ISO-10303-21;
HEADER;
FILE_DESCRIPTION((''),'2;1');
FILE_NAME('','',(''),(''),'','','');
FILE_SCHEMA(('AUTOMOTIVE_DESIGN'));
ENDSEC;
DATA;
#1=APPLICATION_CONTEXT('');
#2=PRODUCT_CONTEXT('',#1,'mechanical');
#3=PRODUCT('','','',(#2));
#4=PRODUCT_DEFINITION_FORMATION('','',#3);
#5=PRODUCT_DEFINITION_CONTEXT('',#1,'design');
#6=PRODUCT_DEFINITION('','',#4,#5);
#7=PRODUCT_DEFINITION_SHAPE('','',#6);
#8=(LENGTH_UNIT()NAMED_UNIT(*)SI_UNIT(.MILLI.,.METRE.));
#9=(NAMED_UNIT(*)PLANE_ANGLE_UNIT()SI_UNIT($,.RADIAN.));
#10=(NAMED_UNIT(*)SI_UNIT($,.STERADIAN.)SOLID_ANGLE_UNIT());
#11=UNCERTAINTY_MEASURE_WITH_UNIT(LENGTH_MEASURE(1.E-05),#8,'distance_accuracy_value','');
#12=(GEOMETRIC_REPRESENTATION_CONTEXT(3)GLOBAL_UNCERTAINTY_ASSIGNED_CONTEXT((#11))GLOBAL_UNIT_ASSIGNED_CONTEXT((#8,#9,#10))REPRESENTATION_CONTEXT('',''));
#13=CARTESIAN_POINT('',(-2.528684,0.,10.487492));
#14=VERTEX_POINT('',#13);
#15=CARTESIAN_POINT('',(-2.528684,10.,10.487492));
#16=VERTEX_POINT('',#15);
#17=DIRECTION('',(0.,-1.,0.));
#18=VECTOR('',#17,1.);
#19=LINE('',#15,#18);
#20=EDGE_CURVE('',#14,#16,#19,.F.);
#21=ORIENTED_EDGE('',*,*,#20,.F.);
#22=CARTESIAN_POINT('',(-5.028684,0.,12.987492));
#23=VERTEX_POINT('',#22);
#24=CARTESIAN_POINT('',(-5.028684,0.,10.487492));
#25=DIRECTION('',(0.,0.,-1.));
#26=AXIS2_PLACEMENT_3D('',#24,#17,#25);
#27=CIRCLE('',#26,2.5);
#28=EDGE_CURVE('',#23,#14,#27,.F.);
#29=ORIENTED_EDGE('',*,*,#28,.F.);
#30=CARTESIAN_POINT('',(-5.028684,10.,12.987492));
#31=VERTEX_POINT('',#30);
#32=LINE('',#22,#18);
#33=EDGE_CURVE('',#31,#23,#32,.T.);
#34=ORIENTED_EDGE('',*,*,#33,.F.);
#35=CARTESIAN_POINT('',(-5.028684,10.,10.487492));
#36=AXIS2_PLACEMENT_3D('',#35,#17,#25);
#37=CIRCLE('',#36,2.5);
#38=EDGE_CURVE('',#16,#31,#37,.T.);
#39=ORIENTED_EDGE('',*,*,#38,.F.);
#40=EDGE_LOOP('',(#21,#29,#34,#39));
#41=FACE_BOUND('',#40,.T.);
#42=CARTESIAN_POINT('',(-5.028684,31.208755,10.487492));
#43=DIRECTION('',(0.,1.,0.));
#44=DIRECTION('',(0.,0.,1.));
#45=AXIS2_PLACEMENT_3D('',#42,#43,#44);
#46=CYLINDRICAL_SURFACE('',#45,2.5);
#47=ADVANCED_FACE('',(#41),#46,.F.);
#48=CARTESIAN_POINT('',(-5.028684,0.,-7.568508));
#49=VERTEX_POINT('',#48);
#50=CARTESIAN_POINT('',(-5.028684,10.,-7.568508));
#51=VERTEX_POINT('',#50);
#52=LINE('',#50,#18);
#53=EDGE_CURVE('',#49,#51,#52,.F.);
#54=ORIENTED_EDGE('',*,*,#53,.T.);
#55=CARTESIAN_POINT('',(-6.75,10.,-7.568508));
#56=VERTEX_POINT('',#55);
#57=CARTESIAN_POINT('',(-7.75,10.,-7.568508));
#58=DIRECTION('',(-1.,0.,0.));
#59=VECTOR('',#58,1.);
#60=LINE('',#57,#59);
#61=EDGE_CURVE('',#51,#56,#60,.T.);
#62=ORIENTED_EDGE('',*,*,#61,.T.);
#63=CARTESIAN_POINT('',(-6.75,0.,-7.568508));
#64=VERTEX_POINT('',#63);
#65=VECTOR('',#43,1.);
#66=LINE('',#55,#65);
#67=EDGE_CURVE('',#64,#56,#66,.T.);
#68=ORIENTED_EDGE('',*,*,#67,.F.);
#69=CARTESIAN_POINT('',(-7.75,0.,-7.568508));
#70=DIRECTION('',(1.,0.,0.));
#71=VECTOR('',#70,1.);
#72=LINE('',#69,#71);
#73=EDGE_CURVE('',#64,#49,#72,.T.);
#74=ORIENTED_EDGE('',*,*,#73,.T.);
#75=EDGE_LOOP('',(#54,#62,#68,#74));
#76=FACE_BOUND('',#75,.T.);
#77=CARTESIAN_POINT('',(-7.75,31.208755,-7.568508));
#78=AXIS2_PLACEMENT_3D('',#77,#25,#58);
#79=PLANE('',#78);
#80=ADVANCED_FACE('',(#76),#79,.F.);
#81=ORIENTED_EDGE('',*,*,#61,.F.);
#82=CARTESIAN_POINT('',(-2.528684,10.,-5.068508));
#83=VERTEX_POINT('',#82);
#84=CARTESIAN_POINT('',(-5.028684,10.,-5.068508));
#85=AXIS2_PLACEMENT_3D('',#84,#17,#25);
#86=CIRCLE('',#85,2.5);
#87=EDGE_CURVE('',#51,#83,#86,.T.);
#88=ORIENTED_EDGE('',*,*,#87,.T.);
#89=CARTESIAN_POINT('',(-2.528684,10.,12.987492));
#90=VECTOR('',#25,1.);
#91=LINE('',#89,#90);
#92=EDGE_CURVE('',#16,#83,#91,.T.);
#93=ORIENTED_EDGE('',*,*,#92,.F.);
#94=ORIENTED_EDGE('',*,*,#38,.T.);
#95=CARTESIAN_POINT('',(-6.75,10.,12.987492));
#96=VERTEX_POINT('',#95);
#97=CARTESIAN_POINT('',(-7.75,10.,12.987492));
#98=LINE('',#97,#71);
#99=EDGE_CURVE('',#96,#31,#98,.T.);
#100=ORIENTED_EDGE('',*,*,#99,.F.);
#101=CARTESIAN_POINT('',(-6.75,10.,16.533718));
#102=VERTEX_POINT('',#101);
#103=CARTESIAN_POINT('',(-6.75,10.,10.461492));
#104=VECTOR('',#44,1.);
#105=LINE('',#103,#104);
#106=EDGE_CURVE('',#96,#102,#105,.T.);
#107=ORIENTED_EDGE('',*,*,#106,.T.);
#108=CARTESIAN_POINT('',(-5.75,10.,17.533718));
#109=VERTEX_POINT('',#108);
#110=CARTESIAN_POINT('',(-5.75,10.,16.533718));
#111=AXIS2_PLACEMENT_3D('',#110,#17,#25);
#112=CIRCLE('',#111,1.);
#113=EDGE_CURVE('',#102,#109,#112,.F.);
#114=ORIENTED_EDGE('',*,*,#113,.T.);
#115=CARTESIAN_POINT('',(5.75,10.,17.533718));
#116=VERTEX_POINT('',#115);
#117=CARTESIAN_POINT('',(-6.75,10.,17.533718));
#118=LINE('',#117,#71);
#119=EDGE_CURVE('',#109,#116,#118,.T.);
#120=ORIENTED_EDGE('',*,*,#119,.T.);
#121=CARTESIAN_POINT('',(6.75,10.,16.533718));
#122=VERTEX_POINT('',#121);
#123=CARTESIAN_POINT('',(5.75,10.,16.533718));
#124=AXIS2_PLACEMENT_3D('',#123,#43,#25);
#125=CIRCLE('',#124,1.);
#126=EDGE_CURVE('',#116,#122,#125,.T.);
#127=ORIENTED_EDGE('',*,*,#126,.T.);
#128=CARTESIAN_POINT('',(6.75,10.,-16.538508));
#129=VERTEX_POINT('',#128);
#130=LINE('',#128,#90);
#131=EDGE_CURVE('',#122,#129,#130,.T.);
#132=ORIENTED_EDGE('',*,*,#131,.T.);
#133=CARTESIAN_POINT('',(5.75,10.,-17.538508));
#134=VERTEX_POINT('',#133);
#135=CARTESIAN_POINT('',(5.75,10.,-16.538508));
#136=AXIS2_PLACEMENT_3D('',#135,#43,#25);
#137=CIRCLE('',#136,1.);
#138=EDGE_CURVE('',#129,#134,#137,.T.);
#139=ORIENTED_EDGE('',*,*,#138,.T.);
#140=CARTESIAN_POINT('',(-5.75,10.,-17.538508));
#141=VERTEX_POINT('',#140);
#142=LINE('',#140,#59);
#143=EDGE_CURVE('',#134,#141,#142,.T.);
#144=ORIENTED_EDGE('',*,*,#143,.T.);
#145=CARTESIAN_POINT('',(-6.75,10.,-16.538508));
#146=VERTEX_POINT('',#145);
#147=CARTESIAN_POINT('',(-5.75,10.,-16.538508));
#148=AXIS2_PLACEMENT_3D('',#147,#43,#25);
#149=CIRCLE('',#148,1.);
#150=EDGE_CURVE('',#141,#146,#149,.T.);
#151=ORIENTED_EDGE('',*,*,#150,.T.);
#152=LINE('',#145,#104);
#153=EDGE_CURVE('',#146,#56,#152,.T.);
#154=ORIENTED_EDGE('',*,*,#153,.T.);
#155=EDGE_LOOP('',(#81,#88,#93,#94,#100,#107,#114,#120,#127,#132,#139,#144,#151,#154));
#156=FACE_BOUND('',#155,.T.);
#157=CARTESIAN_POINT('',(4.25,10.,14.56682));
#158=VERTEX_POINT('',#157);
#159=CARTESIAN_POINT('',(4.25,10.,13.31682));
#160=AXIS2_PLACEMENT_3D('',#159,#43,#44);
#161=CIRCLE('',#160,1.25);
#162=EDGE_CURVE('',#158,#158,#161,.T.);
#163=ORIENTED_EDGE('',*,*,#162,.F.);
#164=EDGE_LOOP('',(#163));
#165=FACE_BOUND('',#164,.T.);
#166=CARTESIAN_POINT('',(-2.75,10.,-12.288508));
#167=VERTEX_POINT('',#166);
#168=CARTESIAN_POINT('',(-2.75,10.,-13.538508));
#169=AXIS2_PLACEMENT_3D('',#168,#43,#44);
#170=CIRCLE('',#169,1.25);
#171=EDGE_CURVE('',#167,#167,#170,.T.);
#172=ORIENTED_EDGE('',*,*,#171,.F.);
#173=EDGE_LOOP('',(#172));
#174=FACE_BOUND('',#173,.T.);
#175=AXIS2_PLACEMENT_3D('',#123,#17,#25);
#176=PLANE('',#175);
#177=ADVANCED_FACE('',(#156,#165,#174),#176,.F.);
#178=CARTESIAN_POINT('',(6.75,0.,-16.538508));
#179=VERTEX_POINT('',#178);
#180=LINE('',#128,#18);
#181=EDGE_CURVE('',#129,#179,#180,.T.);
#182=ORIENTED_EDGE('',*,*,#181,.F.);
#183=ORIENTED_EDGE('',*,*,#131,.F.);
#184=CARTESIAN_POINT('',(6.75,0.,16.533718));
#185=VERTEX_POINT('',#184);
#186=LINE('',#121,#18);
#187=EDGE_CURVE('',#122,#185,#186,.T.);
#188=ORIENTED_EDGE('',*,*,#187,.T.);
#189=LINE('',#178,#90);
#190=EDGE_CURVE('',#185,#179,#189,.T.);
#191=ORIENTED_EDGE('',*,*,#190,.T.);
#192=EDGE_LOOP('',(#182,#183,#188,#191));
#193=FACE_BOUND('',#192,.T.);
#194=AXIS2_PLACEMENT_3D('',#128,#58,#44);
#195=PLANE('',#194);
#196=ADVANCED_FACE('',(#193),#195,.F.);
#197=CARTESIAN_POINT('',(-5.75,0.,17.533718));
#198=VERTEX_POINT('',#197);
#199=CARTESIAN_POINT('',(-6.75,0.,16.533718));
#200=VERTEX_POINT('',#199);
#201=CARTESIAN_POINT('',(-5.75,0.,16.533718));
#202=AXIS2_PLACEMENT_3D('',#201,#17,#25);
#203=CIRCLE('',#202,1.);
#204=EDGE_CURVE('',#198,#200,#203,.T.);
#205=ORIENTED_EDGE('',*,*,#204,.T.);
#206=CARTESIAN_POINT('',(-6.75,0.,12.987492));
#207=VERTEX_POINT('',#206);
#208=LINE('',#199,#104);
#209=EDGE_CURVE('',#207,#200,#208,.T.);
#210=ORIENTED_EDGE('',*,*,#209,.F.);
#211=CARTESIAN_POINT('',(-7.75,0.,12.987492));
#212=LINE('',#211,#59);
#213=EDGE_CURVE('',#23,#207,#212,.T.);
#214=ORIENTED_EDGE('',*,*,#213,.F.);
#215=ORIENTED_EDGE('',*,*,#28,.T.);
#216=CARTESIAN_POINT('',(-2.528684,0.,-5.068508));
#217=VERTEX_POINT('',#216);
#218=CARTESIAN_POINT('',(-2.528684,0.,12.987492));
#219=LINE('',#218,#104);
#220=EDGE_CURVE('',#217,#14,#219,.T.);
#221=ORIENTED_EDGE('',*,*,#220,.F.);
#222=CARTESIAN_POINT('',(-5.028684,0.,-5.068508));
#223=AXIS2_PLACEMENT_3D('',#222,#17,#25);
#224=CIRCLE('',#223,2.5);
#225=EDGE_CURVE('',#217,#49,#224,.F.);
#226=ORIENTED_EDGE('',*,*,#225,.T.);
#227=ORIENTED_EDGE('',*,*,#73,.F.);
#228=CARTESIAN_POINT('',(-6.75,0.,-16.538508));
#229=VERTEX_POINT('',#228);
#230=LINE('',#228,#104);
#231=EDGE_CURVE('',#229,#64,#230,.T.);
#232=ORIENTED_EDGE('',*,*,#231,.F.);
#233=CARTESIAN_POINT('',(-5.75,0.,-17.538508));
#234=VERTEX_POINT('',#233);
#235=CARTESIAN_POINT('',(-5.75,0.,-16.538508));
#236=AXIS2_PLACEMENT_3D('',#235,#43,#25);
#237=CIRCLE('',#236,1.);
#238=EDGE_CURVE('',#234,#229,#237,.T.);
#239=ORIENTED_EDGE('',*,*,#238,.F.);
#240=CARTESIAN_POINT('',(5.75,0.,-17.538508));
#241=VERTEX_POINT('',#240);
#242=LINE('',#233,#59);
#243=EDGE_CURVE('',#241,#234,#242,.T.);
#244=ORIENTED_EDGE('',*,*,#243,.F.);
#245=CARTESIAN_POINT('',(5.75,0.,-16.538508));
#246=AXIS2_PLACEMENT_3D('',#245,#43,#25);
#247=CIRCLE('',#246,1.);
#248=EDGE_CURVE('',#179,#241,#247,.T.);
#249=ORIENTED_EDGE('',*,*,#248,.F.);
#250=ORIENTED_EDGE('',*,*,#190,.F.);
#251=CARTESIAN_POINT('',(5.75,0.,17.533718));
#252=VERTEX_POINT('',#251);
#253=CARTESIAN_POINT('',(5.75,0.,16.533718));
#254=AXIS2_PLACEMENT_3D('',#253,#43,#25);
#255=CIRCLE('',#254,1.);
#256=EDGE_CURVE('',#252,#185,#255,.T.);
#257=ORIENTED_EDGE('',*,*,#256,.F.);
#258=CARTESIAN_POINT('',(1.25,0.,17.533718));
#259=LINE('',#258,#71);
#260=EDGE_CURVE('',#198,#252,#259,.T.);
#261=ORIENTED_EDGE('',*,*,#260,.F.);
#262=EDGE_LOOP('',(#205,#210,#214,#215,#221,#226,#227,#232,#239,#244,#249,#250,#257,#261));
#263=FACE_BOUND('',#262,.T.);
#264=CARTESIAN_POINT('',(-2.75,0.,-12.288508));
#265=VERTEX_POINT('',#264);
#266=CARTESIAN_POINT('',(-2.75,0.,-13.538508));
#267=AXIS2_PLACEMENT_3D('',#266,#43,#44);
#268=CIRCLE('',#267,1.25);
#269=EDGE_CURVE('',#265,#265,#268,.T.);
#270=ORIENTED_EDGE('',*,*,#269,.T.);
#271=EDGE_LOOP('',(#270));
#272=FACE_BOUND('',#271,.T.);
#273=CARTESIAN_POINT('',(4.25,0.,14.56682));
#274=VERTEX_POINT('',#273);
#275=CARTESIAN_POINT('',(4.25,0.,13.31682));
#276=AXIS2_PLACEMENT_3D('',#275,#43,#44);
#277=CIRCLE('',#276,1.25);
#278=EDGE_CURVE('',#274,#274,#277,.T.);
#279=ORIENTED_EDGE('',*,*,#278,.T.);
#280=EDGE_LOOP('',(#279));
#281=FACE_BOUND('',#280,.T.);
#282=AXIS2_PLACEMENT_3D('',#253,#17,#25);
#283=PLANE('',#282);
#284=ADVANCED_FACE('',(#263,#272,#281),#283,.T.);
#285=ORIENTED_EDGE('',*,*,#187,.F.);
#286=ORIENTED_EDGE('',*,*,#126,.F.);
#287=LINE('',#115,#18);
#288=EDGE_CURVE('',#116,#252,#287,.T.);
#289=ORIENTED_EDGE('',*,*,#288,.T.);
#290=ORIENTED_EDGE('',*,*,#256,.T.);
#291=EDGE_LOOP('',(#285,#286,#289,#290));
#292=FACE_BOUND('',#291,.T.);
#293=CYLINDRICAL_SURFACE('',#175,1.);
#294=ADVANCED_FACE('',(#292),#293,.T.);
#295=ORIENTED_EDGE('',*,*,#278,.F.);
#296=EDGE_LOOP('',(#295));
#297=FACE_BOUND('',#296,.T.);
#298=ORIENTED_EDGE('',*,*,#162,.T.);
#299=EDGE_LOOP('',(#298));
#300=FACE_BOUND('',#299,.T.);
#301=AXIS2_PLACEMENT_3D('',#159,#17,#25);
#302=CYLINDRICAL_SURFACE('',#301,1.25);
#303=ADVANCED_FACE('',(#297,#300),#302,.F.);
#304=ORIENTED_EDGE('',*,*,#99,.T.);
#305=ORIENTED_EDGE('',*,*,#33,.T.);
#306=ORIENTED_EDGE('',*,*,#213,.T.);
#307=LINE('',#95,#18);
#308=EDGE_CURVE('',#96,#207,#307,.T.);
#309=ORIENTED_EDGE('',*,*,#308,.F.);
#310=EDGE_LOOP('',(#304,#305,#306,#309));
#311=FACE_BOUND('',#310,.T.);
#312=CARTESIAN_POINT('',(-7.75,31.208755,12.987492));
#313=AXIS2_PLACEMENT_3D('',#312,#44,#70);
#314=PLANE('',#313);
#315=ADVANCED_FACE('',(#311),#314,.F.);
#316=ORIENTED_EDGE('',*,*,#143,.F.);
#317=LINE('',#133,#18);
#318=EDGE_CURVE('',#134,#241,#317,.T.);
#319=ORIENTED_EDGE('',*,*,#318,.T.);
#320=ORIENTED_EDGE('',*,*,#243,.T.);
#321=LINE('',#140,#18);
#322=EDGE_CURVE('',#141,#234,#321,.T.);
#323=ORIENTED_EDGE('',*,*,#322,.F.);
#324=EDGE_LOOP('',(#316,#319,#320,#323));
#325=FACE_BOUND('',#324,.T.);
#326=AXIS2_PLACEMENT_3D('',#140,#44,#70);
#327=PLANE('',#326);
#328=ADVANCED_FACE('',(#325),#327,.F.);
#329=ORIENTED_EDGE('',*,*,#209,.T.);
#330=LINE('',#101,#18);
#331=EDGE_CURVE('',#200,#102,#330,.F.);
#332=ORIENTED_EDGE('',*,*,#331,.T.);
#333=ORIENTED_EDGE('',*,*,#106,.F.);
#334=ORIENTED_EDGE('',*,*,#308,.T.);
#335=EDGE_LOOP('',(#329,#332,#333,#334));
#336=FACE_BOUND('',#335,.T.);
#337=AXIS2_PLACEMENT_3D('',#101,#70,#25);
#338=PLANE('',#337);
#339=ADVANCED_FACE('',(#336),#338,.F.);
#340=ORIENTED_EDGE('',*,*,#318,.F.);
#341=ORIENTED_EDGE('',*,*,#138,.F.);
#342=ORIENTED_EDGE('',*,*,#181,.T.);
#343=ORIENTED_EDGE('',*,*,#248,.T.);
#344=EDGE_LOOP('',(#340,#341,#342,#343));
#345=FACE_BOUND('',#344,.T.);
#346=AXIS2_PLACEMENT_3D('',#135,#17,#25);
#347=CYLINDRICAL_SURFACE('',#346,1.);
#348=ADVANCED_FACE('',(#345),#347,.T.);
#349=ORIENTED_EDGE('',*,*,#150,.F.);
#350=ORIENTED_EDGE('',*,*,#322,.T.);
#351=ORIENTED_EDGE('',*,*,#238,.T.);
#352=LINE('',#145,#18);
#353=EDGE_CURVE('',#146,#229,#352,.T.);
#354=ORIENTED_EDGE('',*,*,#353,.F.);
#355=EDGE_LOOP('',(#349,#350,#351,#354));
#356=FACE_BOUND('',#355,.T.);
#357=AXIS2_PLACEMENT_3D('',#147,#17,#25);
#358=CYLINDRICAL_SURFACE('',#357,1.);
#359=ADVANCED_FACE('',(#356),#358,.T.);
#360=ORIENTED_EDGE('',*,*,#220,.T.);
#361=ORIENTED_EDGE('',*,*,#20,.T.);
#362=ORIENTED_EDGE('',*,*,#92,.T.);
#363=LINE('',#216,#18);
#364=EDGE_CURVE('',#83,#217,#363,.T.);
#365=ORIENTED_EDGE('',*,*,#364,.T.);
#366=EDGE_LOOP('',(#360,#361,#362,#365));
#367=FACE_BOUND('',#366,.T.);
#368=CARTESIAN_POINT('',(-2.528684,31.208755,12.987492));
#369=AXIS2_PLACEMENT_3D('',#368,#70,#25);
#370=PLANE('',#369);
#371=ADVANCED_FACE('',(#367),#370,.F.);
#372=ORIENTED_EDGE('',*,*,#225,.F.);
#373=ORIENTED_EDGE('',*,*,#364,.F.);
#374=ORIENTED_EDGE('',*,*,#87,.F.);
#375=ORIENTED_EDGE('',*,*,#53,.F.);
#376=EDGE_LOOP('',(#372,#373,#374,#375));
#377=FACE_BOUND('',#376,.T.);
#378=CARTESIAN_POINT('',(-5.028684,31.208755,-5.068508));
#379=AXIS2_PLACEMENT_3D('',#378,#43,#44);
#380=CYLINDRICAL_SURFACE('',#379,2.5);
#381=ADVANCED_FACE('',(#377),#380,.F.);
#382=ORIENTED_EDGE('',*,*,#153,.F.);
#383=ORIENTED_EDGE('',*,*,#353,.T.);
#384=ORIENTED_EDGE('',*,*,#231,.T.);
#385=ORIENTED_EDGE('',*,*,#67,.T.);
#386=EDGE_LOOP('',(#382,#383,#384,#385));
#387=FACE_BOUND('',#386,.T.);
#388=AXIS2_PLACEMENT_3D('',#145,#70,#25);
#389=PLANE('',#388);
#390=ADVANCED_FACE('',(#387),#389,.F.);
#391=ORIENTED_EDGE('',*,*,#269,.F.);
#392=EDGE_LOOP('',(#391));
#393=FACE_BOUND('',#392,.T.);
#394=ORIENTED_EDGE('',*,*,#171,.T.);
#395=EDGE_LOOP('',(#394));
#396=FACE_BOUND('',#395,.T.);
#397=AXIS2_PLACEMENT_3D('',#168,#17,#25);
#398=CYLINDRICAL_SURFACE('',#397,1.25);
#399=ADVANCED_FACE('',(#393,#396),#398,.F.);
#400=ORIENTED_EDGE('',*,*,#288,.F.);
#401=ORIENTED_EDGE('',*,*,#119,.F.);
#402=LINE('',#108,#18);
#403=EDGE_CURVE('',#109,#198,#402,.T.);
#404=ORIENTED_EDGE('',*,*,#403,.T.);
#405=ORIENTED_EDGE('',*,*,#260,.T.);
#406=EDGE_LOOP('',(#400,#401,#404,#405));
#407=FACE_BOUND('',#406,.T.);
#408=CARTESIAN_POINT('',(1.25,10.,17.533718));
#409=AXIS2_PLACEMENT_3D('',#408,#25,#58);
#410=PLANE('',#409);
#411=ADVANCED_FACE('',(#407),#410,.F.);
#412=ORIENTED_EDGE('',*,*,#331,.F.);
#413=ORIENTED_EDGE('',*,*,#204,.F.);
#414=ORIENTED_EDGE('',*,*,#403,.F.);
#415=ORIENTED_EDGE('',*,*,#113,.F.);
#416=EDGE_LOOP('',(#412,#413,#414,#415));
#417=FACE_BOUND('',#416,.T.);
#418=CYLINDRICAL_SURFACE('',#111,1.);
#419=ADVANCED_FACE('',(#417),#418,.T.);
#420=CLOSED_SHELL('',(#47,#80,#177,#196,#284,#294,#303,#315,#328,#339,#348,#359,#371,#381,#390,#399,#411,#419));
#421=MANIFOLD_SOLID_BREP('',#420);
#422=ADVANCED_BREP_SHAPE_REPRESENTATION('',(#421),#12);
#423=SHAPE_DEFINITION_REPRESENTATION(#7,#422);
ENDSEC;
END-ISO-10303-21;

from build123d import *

# Parameters (mm, degrees)
SKETCH_1_R         = 1.25
EXTRUDE_2_DEPTH    = 10
SKETCH1_W          = 5.221315892
SKETCH1_H          = 20.556
CUT_EXTRUDE1_DEPTH = 10
FILLET1_R          = 1
FILLET2_R          = 2.5


with BuildPart() as part:
    # Эскиз1 → Бобышка-Вытянуть2 (new body)
    with BuildSketch(Plane(origin=(0, 0, 0), x_dir=(1, 0, 0), z_dir=(0, 1, 0))):
        with BuildLine():
            Line((-6.75, -16.533718228), (-6.75, -17.533718228))
            Line((-6.75, -17.533718228), (1.25, -17.533718228))
            Line((1.25, -17.533718228), (5.75, -17.533718228))
            ThreePointArc((5.75, -17.533718228), (6.457106781, -17.240825009), (6.75, -16.533718228))
            Line((6.75, -16.533718228), (6.75, 16.538507887))
            ThreePointArc((6.75, 16.538507887), (6.457106781, 17.245614668), (5.75, 17.538507887))
            Line((5.75, 17.538507887), (-5.75, 17.538507887))
            ThreePointArc((-5.75, 17.538507887), (-6.457106781, 17.245614668), (-6.75, 16.538507887))
            Line((-6.75, 16.538507887), (-6.75, 5.538507887))
            ThreePointArc((-6.75, 5.538507887), (-6.457106781, 4.831401106), (-5.75, 4.538507887))
            Line((-5.75, 4.538507887), (-5.746697715, 4.538507887))
            ThreePointArc((-5.746697715, 4.538507887), (-5.039590934, 4.245614668), (-4.746697715, 3.538507887))
            Line((-4.746697715, 3.538507887), (-4.746697715, -8.461492113))
            ThreePointArc((-4.746697715, -8.461492113), (-5.039590934, -9.168598894), (-5.746697715, -9.461492113))
            Line((-5.746697715, -9.461492113), (-5.75, -9.461492113))
            ThreePointArc((-5.75, -9.461492113), (-6.457106781, -9.754385332), (-6.75, -10.461492113))
            Line((-6.75, -10.461492113), (-6.75, -16.533718228))
        make_face()
        with Locations(Location((-2.75, 13.538507887, 0), (0, 0, 270))):
            Circle(SKETCH_1_R, mode=Mode.SUBTRACT)
        with Locations(Location((4.25, -13.316820051, 0), (0, 0, 270))):
            Circle(SKETCH_1_R, mode=Mode.SUBTRACT)
    extrude(amount=EXTRUDE_2_DEPTH)

    # Sketch1 → Cut-Extrude1 (cut)
    with BuildSketch(Plane.XZ):
        with Locations((-5.139342054, 2.709492113)):
            Rectangle(SKETCH1_W, SKETCH1_H)
    extrude(amount=-CUT_EXTRUDE1_DEPTH, mode=Mode.SUBTRACT)

    # Fillet1
    fillet1_edges = [part.edges().sort_by_distance(p)[0] for p in [
        (-6.75, 5, 17.533718228),
    ]]
    fillet(fillet1_edges, radius=FILLET1_R)

    # Fillet2
    fillet2_edges = [part.edges().sort_by_distance(p)[0] for p in [
        (-2.528684108, 5, -7.568507887),
        (-2.528684108, 5, 12.987492113),
    ]]
    fillet(fillet2_edges, radius=FILLET2_R)


solid = part.part
